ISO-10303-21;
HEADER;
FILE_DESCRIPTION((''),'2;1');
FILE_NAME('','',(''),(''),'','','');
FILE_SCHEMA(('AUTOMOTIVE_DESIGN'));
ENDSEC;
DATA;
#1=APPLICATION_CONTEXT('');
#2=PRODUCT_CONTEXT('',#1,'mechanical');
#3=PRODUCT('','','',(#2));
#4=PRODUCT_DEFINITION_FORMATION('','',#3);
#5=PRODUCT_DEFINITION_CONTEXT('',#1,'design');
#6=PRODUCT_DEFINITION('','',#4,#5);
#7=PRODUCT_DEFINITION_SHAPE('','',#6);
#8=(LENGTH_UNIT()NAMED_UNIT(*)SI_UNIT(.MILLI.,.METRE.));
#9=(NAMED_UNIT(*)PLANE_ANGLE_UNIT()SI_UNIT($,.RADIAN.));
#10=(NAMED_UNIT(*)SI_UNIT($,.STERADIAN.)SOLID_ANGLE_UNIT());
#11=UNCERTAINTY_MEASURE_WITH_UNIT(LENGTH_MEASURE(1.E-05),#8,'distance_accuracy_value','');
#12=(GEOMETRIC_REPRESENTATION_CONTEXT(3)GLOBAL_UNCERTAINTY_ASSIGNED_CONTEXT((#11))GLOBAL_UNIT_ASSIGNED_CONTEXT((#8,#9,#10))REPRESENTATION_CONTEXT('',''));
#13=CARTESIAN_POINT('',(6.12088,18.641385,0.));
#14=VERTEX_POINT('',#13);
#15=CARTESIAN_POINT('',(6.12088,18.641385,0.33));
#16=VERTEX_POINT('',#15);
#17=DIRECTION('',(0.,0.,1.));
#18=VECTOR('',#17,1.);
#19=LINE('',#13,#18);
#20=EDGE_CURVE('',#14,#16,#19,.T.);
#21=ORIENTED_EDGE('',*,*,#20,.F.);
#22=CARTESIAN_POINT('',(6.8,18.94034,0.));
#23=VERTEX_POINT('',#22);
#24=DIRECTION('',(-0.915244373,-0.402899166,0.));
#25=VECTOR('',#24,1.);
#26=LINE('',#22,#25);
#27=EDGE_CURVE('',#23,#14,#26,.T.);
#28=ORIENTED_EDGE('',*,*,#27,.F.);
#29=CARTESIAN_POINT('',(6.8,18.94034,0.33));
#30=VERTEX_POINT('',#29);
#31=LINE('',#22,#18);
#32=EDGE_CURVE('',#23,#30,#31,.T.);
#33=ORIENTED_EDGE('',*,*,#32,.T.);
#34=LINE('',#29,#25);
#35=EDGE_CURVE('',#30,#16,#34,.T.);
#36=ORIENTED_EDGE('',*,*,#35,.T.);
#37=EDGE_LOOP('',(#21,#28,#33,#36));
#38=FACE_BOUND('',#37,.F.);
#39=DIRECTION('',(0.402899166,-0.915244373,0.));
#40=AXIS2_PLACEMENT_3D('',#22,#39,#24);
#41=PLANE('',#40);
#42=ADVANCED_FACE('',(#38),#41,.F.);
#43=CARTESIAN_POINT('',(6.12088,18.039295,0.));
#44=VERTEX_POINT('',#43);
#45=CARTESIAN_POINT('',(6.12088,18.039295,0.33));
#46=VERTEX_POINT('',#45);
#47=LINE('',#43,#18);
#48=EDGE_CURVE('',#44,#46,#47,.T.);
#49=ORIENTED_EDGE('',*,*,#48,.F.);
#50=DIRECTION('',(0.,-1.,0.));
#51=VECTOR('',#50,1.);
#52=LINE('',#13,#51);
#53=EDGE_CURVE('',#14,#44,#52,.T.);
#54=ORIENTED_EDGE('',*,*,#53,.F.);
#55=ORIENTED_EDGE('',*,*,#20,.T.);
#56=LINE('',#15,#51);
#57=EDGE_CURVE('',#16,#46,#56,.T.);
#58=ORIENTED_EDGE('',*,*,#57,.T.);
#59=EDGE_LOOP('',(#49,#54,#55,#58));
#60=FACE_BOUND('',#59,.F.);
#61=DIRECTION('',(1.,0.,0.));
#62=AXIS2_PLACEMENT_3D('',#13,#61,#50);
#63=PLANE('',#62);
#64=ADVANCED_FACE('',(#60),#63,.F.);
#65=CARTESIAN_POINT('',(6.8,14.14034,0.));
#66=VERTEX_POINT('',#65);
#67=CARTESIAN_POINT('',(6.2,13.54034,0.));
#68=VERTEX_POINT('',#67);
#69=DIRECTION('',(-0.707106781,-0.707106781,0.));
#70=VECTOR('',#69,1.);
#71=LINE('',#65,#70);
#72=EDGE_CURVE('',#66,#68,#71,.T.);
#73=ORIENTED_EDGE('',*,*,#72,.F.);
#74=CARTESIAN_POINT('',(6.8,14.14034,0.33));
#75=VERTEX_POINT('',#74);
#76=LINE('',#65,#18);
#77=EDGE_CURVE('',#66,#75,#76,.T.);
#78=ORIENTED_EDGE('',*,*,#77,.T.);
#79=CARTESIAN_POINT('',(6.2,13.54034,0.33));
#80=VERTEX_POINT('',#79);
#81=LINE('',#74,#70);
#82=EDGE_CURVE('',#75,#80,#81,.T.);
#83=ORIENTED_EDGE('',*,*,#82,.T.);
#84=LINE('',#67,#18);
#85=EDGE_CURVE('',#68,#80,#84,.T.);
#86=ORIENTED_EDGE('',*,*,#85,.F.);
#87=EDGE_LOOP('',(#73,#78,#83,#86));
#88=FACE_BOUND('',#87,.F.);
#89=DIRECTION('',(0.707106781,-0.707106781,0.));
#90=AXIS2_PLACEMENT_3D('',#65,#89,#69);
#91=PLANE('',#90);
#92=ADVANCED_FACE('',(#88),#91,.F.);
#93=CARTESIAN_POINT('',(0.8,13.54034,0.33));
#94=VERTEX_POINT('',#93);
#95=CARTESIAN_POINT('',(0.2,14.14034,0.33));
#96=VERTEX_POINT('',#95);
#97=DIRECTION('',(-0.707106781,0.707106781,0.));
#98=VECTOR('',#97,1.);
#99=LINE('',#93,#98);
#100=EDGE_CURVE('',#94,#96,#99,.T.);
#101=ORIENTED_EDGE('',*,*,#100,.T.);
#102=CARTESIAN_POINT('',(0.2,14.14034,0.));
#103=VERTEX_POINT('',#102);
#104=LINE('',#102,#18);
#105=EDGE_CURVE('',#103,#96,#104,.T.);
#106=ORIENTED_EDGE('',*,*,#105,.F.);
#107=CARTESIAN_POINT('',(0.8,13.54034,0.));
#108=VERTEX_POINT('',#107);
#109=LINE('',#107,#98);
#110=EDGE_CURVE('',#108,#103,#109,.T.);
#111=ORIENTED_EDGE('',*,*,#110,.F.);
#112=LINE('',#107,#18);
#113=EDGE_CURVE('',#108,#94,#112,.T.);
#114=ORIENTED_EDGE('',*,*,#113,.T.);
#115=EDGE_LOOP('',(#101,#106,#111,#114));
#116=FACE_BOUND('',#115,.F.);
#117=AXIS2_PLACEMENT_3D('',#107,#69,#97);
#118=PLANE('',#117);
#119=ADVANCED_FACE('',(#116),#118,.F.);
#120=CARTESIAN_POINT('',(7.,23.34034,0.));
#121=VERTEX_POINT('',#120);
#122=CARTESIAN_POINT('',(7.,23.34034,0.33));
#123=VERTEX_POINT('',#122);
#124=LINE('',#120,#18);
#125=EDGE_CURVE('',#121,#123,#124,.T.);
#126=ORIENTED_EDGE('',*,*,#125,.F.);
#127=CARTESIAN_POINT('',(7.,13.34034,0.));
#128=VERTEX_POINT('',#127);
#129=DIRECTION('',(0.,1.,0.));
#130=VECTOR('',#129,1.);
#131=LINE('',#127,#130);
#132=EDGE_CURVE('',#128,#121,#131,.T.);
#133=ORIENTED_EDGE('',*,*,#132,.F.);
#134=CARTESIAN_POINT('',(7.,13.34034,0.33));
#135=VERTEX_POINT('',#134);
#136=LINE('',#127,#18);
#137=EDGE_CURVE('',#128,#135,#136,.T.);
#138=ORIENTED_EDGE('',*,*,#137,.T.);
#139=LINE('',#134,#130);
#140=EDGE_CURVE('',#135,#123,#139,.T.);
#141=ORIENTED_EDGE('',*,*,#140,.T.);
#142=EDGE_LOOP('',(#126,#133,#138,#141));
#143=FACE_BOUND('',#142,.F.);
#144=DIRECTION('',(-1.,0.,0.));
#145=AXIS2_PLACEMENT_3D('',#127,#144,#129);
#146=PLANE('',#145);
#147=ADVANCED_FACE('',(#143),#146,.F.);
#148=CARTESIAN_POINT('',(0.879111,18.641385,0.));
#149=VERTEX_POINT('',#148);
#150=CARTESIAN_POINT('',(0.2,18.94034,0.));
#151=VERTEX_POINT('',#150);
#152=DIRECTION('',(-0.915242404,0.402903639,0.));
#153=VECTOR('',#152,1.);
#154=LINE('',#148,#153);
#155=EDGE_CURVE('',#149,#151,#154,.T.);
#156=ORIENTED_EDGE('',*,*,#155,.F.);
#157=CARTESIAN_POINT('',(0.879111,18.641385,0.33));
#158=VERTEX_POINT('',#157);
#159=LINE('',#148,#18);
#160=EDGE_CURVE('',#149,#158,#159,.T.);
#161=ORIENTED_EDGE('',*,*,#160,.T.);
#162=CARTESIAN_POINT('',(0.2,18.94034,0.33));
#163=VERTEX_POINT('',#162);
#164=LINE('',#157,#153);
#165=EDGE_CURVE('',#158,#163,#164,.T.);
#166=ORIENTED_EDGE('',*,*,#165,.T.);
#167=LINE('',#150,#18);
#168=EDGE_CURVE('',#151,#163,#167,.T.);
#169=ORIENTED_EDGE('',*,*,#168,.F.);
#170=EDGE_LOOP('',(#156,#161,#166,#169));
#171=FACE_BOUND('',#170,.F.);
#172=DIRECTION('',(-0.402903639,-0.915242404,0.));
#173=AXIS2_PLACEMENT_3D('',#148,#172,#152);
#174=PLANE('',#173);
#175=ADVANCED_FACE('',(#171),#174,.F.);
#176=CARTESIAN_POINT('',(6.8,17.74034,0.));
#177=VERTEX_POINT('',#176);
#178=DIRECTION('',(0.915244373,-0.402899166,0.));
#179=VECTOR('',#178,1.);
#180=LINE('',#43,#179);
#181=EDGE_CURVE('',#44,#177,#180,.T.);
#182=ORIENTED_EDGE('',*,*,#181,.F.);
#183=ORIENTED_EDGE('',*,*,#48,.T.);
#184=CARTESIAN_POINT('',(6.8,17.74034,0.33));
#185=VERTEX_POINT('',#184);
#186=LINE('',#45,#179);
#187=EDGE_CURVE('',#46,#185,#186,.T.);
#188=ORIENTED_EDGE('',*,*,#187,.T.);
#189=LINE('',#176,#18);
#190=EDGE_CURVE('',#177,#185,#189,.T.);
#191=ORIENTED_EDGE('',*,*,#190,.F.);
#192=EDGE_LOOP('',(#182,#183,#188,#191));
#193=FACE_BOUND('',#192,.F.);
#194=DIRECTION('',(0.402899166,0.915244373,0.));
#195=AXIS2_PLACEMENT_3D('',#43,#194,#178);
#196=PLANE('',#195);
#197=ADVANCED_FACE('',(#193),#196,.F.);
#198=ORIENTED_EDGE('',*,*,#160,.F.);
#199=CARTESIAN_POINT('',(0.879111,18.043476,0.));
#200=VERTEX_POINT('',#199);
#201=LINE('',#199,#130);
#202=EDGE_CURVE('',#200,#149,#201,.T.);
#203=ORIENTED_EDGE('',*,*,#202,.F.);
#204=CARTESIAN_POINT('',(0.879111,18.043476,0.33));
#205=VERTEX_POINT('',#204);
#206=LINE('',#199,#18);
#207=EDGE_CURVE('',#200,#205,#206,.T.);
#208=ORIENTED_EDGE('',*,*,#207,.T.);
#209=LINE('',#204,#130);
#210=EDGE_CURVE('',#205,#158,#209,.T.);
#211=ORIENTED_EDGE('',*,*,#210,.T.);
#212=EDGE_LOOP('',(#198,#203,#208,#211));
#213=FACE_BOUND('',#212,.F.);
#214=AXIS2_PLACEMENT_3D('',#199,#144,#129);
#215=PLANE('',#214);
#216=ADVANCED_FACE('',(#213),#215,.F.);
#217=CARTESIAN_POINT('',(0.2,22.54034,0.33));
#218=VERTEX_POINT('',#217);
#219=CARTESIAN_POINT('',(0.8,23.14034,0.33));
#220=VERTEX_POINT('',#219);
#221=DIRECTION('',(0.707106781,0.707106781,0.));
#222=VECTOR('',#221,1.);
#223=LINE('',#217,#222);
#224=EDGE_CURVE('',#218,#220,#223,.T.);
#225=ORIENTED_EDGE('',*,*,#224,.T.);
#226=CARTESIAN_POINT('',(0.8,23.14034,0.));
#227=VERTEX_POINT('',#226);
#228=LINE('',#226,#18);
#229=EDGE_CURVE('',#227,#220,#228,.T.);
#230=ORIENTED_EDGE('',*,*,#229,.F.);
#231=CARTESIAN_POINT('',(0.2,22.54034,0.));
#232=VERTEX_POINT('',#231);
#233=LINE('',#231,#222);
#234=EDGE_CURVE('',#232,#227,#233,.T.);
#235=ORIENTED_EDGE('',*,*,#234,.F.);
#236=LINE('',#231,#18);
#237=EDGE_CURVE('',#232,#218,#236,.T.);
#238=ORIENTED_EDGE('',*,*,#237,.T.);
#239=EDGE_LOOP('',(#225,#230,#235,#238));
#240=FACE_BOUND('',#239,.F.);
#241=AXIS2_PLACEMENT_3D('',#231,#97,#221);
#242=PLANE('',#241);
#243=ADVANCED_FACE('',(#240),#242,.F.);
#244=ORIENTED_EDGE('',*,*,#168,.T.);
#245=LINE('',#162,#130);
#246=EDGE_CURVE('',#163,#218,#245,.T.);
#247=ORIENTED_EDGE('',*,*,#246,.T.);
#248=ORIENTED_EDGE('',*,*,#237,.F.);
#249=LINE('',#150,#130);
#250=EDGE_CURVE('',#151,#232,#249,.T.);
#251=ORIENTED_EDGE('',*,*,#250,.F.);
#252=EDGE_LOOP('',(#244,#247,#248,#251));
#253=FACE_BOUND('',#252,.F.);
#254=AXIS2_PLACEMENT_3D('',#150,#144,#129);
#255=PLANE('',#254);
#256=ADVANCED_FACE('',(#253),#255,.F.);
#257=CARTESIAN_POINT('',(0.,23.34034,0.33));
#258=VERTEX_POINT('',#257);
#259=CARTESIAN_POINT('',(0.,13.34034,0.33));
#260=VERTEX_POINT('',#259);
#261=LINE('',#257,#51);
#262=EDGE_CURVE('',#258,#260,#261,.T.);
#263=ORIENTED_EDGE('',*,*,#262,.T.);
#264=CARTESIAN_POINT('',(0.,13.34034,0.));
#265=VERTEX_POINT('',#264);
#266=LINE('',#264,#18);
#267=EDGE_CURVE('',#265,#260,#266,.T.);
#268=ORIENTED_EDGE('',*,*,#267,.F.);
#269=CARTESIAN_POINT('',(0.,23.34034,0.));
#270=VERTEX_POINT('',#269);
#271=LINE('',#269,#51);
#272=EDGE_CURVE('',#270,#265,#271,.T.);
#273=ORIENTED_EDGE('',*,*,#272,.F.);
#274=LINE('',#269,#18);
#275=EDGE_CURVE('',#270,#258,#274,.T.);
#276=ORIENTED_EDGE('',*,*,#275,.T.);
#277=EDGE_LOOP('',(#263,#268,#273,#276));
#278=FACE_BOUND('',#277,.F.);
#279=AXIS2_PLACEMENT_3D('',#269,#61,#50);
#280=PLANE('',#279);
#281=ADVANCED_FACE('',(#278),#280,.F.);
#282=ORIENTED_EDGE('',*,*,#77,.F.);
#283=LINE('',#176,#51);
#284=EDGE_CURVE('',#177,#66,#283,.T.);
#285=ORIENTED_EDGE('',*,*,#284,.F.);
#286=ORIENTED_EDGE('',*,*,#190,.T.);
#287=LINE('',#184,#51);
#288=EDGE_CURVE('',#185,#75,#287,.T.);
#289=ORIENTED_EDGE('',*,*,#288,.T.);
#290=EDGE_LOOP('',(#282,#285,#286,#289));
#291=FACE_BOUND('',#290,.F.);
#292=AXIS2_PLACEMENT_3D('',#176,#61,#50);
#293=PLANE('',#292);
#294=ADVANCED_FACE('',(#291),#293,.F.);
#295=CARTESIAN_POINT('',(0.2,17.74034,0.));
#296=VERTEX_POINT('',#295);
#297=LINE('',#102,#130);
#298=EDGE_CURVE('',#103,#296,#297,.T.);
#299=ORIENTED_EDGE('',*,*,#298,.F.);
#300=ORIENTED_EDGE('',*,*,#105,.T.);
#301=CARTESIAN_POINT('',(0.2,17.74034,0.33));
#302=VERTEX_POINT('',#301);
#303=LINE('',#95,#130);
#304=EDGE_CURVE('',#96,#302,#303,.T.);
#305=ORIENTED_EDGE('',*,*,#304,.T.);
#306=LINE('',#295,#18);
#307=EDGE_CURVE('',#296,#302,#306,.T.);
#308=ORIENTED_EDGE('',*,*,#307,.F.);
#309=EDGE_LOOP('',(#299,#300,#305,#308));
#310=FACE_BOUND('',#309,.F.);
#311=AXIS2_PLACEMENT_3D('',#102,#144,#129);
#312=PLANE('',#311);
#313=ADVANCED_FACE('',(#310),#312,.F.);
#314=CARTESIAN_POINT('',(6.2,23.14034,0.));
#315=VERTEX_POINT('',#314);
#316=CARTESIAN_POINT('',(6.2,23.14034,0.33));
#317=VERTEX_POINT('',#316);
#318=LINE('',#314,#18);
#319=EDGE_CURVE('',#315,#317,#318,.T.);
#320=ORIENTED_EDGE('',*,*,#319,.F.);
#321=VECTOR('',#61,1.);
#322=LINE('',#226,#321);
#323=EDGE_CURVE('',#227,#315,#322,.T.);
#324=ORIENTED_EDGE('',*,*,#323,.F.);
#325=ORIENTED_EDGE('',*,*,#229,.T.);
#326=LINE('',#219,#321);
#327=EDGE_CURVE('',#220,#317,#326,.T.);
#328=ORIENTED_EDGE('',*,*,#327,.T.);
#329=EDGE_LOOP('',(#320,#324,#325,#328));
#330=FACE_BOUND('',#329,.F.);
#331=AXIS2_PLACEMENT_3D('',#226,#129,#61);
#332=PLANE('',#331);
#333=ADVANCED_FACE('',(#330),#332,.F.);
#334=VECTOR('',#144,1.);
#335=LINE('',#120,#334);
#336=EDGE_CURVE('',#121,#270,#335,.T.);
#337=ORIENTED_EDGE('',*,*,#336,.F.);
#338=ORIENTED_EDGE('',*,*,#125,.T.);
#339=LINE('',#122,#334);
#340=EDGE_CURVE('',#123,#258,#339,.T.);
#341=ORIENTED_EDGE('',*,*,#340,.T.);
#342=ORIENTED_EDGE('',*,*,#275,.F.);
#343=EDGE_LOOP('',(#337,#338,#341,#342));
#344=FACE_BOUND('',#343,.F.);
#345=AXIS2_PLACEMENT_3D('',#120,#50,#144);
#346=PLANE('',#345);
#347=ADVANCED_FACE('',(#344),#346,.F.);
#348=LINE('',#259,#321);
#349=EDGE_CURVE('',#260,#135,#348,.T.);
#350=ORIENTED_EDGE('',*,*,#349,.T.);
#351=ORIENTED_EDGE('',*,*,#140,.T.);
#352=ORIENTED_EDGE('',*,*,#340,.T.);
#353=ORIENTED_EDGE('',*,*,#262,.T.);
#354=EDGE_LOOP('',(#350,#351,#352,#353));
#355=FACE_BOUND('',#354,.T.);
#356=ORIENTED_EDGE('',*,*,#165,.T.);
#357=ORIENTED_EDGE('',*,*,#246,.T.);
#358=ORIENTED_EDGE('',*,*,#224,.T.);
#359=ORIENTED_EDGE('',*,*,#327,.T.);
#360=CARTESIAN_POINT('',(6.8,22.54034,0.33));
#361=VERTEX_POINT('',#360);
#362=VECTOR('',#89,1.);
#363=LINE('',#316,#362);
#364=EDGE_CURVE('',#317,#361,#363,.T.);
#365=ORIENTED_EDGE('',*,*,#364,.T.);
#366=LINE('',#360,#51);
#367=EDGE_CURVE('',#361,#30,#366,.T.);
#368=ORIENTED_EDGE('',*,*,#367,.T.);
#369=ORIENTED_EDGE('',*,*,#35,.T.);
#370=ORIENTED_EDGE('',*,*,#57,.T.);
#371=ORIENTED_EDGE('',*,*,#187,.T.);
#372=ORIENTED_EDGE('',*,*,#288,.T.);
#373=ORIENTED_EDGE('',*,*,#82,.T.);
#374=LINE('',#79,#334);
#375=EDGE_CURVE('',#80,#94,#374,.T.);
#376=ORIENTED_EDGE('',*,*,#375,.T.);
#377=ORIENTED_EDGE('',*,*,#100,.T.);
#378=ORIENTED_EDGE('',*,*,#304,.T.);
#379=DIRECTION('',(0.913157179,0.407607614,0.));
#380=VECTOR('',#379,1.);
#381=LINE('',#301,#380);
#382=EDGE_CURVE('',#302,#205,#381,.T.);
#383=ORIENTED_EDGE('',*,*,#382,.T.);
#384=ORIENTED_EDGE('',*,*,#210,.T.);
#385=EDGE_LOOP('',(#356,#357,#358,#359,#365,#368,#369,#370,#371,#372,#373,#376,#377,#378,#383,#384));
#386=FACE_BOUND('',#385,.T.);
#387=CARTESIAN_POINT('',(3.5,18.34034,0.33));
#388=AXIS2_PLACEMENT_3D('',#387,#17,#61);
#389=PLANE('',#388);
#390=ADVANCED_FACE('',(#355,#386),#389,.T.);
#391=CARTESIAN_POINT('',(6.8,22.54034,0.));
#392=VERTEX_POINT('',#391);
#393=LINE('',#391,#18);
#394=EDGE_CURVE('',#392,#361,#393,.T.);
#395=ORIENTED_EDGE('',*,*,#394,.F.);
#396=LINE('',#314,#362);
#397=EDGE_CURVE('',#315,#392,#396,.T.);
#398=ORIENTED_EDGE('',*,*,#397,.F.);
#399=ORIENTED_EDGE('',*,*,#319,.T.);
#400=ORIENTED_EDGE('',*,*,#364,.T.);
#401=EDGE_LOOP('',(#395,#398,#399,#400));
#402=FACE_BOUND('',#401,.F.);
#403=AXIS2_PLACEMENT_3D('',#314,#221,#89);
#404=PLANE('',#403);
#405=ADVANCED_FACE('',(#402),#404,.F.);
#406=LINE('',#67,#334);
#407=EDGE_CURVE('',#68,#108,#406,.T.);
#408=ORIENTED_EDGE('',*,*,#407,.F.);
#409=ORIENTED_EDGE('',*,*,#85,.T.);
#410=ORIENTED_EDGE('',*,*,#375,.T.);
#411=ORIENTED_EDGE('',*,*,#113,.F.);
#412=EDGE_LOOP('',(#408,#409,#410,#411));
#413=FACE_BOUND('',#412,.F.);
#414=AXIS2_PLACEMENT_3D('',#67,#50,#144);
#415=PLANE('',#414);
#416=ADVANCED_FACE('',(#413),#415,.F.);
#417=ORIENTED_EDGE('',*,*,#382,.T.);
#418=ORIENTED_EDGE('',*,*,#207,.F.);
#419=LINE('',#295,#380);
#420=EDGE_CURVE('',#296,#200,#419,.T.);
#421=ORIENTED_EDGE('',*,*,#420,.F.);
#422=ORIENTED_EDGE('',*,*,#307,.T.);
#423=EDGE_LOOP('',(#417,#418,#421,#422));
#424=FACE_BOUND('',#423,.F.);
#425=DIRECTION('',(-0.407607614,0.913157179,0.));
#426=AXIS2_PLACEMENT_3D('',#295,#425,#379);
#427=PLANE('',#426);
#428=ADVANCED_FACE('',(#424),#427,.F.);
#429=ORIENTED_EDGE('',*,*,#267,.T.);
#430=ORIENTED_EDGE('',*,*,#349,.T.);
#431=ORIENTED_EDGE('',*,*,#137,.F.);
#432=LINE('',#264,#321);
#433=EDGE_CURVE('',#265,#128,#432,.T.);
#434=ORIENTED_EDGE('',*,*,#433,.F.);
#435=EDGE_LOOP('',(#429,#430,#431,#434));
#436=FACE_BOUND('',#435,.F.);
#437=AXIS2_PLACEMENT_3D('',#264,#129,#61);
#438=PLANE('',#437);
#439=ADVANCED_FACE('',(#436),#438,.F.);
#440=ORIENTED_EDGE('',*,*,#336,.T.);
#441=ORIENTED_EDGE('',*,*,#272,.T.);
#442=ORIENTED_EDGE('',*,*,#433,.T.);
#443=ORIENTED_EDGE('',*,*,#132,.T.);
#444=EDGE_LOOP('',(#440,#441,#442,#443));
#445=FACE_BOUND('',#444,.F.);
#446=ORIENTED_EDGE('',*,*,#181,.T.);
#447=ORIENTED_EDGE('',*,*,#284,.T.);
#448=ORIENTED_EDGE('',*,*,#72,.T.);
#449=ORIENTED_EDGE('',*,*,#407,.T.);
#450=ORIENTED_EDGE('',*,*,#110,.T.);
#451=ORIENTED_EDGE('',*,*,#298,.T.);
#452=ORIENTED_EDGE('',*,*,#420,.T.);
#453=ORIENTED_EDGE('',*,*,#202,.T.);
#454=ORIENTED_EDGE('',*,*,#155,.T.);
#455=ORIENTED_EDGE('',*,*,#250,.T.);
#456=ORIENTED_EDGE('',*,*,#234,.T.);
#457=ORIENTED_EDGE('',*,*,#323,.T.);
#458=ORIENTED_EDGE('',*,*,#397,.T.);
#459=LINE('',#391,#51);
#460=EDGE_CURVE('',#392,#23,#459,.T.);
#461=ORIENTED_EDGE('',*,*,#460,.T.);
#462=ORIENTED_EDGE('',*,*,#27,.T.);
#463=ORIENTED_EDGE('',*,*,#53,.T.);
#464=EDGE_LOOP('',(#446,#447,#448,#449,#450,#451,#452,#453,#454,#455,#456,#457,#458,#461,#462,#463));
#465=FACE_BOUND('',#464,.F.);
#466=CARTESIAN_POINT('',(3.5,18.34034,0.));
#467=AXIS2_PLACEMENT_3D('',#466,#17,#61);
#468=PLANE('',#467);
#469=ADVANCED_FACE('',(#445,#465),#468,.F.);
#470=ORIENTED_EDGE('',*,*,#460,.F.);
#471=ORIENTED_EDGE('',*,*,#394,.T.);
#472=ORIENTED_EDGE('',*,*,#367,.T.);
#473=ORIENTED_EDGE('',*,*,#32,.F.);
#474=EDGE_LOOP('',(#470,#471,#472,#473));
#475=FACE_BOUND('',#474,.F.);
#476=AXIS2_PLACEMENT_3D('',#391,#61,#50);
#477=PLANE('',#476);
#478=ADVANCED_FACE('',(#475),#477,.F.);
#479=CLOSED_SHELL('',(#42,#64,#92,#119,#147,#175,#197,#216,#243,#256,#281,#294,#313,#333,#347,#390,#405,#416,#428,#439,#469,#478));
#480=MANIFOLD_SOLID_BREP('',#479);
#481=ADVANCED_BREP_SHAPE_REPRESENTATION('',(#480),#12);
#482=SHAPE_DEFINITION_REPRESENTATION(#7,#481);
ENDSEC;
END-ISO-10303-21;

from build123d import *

# Parameters (mm, degrees)
F1_DEPTH = 0.33


with BuildPart() as f1:
    # F0 (on Top) → F1 (new body)
    with BuildSketch(Plane.XY):
        Polygon((7, 22.34034), (7, 23.34034), (6, 23.34034), (1, 23.34034), (0, 23.34034), (0, 22.34034), (0, 14.34034), (0, 13.54034), (0, 13.34034), (1, 13.34034), (6, 13.34034), (7, 13.34034), (7, 14.34034), align=None)
        Polygon((0.2, 22.54034), (0.8, 23.14034), (6.2, 23.14034), (6.8, 22.54034), (6.8, 18.94034), (6.12088, 18.641385), (6.12088, 18.039295), (6.8, 17.74034), (6.8, 14.14034), (6.2, 13.54034), (0.8, 13.54034), (0.2, 14.14034), (0.2, 17.74034), (0.879111, 18.043476), (0.879111, 18.641385), (0.2, 18.94034), align=None, mode=Mode.SUBTRACT)
    extrude(amount=F1_DEPTH)


solid = f1.part
